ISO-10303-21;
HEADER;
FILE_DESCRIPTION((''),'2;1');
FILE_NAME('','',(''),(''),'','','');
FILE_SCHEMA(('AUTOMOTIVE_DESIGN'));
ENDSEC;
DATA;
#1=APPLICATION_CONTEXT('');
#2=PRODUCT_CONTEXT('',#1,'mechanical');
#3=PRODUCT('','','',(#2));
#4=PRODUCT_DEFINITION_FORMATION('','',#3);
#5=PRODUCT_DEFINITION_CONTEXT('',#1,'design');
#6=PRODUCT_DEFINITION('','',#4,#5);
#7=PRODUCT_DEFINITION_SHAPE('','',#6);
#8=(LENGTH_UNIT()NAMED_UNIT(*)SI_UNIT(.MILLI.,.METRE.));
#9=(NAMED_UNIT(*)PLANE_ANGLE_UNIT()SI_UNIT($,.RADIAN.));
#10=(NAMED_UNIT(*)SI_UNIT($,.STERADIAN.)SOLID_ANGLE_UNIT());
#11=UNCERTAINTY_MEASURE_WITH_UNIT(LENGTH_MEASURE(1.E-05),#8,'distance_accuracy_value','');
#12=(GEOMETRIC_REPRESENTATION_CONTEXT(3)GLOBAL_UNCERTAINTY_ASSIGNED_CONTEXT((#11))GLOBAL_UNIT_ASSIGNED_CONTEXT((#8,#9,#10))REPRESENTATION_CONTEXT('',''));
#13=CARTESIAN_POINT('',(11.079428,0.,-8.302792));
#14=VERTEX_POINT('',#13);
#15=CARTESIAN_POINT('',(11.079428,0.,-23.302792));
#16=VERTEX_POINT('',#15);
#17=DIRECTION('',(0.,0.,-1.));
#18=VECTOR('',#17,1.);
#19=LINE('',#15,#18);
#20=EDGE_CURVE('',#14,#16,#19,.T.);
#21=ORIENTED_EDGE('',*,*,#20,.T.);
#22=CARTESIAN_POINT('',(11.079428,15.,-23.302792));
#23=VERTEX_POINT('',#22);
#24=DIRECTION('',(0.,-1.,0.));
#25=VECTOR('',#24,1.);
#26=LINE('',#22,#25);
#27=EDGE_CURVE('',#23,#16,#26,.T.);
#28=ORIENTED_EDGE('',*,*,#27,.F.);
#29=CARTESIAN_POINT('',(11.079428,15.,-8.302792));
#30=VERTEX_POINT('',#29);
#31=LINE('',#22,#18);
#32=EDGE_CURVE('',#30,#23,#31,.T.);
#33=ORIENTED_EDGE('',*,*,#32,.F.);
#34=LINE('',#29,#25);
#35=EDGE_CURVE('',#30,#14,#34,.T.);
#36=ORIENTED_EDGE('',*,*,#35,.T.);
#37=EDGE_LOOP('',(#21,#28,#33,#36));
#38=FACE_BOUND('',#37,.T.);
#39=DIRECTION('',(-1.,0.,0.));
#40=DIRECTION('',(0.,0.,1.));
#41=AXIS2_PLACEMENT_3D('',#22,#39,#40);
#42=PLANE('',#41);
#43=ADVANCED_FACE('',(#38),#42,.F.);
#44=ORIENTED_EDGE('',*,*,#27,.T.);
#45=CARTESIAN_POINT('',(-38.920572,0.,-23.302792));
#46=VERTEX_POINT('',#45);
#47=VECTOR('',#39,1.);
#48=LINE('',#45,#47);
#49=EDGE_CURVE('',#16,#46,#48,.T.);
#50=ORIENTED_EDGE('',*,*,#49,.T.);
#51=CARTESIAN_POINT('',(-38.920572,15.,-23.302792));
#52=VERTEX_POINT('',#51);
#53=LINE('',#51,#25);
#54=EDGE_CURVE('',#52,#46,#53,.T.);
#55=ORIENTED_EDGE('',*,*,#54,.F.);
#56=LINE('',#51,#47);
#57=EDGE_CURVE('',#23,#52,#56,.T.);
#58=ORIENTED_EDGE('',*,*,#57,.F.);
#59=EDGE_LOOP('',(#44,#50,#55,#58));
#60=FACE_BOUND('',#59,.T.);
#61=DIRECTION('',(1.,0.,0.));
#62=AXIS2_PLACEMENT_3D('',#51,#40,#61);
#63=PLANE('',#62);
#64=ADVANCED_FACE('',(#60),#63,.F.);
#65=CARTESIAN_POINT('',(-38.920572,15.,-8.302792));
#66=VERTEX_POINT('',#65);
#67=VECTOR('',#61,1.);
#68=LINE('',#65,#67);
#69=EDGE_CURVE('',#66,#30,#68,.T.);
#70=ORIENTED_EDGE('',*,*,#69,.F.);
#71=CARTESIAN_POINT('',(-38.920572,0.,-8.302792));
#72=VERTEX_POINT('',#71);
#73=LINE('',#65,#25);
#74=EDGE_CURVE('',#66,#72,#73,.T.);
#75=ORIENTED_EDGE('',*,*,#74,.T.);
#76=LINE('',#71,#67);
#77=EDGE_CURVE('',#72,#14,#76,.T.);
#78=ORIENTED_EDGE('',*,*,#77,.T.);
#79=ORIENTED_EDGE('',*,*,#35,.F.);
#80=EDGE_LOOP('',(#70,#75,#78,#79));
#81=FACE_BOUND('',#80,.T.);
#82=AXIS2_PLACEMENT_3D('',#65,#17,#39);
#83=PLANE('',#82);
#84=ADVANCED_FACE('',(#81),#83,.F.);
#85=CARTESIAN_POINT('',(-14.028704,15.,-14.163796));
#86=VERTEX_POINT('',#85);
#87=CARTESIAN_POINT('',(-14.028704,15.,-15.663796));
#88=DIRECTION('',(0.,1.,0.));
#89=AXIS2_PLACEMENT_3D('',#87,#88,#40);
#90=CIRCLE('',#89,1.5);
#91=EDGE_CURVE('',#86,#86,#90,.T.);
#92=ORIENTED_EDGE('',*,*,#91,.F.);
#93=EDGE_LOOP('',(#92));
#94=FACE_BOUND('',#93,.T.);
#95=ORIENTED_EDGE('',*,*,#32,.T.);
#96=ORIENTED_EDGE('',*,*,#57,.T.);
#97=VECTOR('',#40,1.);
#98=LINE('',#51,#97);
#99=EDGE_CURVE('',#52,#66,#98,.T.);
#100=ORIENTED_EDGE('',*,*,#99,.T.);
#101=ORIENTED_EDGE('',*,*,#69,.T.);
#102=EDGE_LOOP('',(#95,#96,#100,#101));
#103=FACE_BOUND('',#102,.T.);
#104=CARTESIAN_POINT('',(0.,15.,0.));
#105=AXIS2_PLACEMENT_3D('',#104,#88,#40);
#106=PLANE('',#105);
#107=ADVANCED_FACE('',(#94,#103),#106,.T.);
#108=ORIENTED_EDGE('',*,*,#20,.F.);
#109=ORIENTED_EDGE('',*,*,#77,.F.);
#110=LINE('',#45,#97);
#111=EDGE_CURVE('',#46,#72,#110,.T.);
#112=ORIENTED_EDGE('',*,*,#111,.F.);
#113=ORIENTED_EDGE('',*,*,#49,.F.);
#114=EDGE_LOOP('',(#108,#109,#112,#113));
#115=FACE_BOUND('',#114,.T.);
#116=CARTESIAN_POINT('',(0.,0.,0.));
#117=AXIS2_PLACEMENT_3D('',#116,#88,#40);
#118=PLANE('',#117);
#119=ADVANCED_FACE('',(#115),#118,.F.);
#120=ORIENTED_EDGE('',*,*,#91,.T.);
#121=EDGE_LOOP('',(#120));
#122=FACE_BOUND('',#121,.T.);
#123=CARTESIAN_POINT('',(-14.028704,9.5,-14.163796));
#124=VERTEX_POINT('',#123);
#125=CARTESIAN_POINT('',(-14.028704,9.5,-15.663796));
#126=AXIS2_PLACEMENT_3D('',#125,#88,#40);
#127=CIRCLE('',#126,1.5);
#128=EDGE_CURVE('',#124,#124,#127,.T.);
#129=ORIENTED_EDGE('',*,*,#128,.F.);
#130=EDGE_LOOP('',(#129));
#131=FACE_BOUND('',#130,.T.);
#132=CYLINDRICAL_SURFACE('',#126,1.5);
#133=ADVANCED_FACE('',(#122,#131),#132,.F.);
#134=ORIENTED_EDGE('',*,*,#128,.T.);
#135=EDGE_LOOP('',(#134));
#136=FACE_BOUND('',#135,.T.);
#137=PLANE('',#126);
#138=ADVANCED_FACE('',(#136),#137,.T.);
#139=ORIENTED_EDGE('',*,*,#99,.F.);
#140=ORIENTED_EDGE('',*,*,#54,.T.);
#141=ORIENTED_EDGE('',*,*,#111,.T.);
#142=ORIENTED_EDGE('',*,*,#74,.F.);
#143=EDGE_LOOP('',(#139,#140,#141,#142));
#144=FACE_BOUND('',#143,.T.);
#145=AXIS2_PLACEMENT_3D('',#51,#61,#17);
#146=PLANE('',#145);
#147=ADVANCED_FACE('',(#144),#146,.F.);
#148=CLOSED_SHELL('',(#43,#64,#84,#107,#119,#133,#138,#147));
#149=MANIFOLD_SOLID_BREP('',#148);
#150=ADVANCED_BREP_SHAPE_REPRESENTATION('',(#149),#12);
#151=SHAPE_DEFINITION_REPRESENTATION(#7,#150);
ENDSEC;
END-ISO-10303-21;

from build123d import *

# Parameters (mm, degrees)
ESQUISSE1_W             = 50
ESQUISSE1_H             = 15
BOSS_EXTRU_1_DEPTH      = 15
ESQUISSE2_R             = 1.5
ENL_V_MAT_EXTRU_1_DEPTH = 5.5


with BuildPart() as part:
    # Esquisse1 → Boss.-Extru.1 (new body)
    with BuildSketch(Plane(origin=(0, 0, 0), x_dir=(1, 0, 0), z_dir=(0, 1, 0))):
        with Locations((-13.920572214, 15.802792295)):
            Rectangle(ESQUISSE1_W, ESQUISSE1_H)
    extrude(amount=BOSS_EXTRU_1_DEPTH)

    # Esquisse2 → Enlèv. mat.-Extru.1 (cut)
    with BuildSketch(Plane(origin=(0, 15, 0), x_dir=(1, 0, 0), z_dir=(0, 1, 0))):
        with Locations(Location((-14.028704299, 15.66379599, 0), (0, 0, 270))):
            Circle(ESQUISSE2_R)
    extrude(amount=-ENL_V_MAT_EXTRU_1_DEPTH, mode=Mode.SUBTRACT)


solid = part.part
